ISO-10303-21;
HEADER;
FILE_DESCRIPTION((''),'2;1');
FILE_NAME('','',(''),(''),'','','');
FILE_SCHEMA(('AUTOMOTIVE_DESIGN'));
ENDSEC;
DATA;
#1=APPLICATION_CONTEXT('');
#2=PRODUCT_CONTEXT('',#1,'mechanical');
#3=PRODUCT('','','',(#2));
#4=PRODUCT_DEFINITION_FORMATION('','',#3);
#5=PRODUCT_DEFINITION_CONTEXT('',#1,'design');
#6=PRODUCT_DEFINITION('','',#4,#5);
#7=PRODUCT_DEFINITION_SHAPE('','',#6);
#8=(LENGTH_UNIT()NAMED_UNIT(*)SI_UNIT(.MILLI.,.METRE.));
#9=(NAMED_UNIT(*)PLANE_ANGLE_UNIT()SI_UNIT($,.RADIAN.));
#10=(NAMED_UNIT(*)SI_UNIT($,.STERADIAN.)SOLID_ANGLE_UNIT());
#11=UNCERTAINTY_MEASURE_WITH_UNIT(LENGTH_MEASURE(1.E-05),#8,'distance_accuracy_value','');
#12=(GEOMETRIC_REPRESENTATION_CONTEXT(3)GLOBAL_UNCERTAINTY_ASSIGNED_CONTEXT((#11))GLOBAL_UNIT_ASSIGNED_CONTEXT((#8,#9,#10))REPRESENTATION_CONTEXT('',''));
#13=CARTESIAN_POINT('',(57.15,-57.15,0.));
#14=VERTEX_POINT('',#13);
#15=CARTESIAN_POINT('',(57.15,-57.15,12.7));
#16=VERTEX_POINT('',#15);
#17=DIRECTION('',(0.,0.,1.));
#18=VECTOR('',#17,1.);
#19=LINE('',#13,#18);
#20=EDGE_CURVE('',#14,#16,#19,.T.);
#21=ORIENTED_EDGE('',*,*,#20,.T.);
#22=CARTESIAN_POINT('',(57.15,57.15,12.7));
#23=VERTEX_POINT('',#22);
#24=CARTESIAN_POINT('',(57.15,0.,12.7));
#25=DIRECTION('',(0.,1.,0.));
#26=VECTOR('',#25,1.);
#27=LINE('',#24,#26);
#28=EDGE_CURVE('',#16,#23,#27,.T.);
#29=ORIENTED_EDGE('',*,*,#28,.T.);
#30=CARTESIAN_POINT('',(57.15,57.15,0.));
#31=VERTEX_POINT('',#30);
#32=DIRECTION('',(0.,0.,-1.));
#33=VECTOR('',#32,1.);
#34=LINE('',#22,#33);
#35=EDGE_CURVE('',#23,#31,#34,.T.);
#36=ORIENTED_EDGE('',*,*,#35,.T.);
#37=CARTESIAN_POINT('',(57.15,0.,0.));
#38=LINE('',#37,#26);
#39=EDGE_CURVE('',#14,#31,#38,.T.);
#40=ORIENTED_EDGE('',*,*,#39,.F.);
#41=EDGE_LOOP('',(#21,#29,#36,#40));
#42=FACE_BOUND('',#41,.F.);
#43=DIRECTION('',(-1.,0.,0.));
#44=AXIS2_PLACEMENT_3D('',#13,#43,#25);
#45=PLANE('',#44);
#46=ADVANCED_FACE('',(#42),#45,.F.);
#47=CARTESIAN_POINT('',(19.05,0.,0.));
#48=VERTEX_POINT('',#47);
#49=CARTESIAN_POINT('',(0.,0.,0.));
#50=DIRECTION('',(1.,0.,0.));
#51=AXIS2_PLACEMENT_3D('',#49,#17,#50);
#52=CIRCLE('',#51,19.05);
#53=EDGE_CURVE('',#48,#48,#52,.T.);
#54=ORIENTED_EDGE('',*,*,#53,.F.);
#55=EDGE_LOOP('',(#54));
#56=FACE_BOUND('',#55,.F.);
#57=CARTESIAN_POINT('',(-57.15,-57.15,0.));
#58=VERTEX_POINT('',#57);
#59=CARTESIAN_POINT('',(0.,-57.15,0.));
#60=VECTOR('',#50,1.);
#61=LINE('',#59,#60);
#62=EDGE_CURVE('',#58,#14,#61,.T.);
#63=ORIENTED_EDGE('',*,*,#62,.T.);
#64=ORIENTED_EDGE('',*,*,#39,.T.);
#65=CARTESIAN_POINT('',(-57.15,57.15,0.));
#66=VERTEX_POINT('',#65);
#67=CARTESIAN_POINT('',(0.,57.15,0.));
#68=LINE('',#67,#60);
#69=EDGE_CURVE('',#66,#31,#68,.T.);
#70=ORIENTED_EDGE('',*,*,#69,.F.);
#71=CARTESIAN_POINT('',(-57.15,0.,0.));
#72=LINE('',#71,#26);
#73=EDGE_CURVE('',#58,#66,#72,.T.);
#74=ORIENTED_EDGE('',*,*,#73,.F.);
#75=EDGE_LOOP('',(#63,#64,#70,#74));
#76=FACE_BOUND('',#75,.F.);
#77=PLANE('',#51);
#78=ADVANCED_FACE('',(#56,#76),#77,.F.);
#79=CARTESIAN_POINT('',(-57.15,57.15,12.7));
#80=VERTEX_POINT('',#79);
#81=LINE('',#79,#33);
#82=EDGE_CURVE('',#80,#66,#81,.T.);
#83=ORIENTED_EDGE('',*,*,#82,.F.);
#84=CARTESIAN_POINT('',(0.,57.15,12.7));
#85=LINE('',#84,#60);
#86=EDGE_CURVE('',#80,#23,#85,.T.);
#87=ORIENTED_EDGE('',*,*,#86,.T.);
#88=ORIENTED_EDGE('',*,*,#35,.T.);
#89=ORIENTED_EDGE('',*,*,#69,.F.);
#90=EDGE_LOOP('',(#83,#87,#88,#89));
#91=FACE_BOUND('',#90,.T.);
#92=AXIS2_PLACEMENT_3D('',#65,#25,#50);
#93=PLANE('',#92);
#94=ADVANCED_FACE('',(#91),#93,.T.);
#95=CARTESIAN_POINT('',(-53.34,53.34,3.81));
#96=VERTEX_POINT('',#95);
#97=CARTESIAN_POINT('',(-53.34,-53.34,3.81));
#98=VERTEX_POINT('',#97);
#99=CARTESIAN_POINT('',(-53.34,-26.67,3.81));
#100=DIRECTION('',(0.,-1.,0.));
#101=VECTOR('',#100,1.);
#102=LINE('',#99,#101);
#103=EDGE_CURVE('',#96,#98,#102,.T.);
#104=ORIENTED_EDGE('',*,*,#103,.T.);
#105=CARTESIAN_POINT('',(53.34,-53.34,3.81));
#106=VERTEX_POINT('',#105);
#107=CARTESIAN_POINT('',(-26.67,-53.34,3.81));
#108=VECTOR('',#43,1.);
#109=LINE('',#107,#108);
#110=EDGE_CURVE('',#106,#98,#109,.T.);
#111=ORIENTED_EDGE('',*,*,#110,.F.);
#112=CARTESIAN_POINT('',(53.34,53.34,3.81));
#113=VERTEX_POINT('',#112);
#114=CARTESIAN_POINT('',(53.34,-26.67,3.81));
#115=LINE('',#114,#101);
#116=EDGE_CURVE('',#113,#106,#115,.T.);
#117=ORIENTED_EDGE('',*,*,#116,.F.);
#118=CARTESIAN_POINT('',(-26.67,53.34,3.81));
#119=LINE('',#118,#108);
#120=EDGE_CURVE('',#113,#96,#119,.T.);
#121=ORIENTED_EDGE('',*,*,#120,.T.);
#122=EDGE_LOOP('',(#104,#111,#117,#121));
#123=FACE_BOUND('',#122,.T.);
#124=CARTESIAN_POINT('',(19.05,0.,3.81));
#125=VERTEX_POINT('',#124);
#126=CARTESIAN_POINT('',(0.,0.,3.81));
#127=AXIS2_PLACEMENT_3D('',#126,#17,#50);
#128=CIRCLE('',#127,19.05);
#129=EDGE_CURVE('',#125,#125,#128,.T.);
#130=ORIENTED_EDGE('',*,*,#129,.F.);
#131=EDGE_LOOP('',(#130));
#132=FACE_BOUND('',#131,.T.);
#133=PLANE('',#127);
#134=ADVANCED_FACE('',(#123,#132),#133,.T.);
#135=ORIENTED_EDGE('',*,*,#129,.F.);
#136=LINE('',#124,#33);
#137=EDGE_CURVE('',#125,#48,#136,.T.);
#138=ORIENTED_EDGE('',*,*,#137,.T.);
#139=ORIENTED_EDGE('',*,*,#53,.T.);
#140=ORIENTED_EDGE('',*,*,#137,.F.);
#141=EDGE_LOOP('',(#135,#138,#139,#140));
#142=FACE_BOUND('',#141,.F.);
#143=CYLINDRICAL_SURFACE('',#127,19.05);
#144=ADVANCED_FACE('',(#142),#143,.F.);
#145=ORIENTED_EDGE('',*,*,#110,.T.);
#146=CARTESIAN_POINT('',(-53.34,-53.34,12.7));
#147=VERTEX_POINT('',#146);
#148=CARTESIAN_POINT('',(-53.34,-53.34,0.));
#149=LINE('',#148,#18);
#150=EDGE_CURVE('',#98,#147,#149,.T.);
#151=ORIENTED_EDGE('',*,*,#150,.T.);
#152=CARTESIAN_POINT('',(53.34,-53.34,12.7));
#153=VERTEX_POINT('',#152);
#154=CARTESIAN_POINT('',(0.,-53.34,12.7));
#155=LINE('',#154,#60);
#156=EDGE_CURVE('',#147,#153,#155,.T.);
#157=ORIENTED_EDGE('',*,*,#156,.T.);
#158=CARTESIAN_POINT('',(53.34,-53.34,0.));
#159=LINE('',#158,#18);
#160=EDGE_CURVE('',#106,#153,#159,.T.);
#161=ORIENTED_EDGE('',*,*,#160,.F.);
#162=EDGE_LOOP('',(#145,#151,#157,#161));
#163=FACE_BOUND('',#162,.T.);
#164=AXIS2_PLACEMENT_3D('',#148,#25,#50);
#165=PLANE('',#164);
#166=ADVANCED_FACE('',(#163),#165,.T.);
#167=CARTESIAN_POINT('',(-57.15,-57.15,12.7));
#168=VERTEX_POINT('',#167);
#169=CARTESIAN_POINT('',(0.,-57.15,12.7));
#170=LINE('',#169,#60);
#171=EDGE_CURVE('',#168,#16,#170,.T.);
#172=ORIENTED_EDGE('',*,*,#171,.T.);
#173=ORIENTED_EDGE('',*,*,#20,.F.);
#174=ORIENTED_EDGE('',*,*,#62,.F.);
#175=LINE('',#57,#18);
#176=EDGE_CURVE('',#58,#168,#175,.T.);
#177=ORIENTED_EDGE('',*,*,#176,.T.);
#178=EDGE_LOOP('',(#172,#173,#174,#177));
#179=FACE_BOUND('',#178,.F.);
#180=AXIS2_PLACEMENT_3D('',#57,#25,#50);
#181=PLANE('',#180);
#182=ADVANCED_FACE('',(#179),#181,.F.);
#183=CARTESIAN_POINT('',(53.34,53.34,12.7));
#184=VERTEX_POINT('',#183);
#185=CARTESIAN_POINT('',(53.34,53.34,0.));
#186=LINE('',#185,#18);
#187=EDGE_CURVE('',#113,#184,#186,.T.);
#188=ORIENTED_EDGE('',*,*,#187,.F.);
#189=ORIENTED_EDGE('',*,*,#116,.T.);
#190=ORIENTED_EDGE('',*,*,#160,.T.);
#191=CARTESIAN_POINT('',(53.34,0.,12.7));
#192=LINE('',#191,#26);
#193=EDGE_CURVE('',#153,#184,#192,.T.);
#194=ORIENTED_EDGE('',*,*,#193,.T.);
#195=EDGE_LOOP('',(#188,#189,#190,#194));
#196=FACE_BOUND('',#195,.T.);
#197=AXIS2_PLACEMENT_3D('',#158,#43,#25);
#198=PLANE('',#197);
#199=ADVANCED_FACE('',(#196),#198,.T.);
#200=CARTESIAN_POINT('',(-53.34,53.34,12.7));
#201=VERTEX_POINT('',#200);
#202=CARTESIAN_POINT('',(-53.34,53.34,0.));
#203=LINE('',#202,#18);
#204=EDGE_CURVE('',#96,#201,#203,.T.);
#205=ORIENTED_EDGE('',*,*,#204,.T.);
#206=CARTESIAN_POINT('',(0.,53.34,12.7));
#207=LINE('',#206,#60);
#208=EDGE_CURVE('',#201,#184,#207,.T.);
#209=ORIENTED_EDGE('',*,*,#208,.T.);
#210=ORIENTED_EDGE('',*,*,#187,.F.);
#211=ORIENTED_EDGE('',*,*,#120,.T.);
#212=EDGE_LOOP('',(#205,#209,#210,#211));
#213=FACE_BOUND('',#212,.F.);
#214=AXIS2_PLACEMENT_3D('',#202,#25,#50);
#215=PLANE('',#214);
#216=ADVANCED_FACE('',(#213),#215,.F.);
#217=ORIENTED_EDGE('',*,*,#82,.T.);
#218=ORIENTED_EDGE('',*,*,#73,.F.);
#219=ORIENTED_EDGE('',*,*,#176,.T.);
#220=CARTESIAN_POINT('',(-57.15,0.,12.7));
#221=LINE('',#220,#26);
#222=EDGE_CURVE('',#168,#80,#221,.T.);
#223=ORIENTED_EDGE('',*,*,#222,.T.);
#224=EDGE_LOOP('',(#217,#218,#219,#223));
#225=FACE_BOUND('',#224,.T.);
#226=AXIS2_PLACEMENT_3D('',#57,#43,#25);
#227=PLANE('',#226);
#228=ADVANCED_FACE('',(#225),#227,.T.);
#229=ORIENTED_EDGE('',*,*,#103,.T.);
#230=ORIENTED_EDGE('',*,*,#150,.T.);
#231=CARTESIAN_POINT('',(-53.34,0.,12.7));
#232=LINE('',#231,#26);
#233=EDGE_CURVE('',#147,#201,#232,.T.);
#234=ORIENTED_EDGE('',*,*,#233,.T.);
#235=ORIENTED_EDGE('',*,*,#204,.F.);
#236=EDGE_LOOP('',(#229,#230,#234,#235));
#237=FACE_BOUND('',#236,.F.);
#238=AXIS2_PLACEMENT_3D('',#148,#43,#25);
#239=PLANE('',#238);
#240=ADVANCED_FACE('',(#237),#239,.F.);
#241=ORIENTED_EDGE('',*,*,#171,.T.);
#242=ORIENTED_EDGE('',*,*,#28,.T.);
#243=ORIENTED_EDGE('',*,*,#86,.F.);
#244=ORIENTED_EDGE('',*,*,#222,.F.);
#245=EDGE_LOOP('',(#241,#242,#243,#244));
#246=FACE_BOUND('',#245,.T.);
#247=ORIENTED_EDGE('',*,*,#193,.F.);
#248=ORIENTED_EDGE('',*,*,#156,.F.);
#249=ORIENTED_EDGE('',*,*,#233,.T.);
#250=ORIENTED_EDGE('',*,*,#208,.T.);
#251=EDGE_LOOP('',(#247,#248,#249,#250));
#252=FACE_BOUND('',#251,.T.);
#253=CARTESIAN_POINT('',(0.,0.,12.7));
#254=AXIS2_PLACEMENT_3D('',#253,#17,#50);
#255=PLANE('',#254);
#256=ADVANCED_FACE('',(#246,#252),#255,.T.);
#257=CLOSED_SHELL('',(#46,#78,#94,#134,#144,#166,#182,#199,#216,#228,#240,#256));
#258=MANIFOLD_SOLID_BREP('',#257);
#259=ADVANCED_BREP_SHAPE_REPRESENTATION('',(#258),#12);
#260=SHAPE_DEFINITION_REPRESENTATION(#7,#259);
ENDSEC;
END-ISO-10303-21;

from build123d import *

# Parameters (mm, degrees)
F0_W     = 114.3
F0_H     = 114.3
F0_W_2   = 106.68
F0_H_2   = 106.68
F1_DEPTH = 3.81
F2_DEPTH = 12.7
F4_R     = 19.05
F5_DEPTH = 6.858


with BuildPart() as f1:
    # F0 (on Top) → F1 (new body)
    with BuildSketch(Plane.XY):
        Rectangle(F0_W, F0_H)
        Rectangle(F0_W_2, F0_H_2, mode=Mode.SUBTRACT)
        Rectangle(F0_W_2, F0_H_2)
    extrude(amount=F1_DEPTH)

    # F0 (on Top) → F2 (join)
    with BuildSketch(Plane.XY):
        Rectangle(F0_W, F0_H)
        Rectangle(F0_W_2, F0_H_2, mode=Mode.SUBTRACT)
    extrude(amount=F2_DEPTH)

    # F4 (on face) → F5 (cut)
    with BuildSketch(Plane.XY.offset(3.81)):
        Circle(F4_R)
    extrude(amount=-F5_DEPTH, mode=Mode.SUBTRACT)


solid = f1.part
